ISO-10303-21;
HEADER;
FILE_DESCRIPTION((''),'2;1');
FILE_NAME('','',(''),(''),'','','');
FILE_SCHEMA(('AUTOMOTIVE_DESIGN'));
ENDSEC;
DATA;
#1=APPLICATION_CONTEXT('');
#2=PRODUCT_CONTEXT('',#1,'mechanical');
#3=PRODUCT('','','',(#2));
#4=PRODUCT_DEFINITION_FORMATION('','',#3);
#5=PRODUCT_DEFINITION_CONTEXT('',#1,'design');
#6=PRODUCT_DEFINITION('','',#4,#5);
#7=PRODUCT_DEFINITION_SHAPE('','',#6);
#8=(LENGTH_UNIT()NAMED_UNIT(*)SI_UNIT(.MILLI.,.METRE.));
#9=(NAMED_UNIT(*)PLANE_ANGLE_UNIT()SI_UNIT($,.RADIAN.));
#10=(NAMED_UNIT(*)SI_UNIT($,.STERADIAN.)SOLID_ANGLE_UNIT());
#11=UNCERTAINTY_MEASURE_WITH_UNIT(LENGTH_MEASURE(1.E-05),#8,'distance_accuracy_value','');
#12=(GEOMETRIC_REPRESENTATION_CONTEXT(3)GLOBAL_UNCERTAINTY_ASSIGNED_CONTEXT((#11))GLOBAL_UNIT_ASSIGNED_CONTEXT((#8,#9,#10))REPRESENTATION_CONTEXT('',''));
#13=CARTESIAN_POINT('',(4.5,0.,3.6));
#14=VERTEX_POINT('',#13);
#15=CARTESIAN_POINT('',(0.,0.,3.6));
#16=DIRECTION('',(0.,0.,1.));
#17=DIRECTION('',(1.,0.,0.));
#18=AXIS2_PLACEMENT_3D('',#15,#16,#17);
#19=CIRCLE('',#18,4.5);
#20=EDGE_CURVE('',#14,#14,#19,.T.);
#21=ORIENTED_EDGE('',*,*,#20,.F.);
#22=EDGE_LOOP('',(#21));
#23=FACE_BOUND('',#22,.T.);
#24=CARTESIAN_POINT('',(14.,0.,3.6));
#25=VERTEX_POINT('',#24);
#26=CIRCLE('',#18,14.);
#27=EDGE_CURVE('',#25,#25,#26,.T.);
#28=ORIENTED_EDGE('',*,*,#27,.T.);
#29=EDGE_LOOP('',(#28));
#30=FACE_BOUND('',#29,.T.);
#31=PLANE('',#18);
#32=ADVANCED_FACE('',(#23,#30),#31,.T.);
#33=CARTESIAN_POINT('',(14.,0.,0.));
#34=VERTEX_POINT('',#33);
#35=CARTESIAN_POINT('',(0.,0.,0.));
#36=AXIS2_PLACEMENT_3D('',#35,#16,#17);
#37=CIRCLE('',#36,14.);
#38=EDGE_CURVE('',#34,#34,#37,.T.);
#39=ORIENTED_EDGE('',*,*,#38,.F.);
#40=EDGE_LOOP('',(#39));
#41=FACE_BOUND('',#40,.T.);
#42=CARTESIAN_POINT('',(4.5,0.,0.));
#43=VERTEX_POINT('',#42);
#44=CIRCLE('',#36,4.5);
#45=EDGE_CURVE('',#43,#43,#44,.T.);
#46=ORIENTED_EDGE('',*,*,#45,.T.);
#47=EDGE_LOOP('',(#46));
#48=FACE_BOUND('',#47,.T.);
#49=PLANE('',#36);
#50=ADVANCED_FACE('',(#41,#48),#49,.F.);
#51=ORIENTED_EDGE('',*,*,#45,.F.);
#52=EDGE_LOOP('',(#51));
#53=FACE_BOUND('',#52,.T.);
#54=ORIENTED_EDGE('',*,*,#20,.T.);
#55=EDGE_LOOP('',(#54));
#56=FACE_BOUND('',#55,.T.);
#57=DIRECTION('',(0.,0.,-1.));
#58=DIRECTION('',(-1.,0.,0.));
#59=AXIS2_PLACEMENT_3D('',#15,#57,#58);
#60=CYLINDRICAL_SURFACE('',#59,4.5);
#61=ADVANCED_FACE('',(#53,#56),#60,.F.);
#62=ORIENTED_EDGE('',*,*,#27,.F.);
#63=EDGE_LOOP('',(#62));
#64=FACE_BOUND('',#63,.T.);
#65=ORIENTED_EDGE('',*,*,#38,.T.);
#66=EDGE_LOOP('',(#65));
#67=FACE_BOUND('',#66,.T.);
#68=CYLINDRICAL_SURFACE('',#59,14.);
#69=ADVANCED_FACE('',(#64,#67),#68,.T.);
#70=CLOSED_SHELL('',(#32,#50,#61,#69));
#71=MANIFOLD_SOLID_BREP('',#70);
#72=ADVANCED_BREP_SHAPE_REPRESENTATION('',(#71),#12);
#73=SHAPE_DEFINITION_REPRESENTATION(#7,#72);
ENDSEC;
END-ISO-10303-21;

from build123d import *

# Parameters (mm, degrees)
SKETCH1_R           = 14
SKETCH1_R_2         = 4.5
BOSS_EXTRUDE1_DEPTH = 3.6


with BuildPart() as part:
    # Sketch1 → Boss-Extrude1 (new body)
    with BuildSketch(Plane.XY):
        Circle(SKETCH1_R)
        Circle(SKETCH1_R_2, mode=Mode.SUBTRACT)
    extrude(amount=BOSS_EXTRUDE1_DEPTH)


solid = part.part
